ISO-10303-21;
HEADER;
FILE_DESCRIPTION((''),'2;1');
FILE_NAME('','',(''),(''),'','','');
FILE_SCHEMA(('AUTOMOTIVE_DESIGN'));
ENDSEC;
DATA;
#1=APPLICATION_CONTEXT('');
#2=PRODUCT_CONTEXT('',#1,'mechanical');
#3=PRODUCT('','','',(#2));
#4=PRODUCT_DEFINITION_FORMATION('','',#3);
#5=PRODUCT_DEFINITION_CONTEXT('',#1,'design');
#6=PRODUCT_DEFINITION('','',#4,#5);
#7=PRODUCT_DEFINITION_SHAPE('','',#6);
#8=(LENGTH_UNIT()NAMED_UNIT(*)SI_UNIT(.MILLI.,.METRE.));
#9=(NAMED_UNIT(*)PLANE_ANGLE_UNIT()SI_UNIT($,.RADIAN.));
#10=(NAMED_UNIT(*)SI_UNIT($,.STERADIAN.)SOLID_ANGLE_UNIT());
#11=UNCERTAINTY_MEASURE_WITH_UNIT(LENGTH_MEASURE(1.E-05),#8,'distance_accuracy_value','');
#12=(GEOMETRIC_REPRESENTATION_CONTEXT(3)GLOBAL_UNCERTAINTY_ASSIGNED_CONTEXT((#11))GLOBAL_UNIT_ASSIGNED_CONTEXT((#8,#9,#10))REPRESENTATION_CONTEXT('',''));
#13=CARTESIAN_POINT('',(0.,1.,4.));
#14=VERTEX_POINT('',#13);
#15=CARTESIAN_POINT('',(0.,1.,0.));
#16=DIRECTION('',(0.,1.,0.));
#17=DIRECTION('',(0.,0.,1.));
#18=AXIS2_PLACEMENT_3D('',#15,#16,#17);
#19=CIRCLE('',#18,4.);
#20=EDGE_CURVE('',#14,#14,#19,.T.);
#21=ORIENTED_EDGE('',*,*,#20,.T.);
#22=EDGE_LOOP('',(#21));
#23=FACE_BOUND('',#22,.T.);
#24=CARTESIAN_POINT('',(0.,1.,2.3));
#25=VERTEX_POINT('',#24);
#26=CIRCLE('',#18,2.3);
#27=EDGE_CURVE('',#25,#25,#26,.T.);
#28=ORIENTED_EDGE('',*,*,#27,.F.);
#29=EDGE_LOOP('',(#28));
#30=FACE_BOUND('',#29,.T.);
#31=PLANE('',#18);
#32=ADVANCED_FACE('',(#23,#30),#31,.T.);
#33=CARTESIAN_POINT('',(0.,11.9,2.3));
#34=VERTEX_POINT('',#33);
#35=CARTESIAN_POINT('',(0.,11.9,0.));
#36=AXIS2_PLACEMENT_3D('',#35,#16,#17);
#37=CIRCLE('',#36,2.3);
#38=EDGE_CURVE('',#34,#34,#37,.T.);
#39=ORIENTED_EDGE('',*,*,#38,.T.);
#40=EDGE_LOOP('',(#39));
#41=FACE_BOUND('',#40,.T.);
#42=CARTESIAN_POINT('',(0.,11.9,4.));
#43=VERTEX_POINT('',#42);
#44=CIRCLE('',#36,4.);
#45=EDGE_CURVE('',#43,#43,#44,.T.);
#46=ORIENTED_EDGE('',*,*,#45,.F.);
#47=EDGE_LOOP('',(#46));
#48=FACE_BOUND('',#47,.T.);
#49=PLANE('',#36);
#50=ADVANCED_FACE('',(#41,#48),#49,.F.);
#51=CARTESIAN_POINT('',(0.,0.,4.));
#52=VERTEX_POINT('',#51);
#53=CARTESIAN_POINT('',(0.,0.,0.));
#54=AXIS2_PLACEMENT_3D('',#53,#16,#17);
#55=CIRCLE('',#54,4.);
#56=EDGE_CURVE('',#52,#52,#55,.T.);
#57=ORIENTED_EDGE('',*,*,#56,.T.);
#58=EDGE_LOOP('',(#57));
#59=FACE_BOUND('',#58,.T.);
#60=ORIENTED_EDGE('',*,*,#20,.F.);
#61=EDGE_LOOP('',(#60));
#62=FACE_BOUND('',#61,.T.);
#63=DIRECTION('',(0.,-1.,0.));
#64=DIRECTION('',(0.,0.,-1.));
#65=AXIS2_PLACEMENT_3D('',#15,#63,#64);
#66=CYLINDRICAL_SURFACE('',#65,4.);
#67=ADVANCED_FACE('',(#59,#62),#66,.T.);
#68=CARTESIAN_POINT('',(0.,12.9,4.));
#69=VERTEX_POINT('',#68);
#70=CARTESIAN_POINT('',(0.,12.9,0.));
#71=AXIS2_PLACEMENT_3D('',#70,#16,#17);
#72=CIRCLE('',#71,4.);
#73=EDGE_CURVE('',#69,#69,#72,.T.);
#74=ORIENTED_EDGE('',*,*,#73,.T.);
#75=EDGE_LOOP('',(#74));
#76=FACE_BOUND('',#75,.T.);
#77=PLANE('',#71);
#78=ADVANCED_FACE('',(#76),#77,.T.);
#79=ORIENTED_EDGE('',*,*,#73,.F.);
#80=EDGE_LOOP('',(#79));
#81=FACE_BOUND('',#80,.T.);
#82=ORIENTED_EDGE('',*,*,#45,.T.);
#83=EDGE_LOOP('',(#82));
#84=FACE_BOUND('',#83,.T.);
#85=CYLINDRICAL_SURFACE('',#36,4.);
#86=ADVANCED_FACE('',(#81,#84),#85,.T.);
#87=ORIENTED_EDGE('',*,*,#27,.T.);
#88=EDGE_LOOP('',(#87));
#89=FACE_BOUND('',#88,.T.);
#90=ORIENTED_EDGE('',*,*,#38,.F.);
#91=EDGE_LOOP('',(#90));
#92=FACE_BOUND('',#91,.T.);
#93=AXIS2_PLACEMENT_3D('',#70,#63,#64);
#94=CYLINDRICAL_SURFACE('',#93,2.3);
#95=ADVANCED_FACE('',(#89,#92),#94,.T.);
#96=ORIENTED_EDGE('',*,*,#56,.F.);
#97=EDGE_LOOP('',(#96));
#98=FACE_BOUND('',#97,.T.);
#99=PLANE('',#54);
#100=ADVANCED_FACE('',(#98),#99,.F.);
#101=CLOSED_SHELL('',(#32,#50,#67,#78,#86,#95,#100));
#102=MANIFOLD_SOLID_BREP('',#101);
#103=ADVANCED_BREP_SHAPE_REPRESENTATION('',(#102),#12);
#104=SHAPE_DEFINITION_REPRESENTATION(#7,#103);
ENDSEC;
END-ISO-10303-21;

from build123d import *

# Parameters (mm, degrees)
SKETCH1_R           = 2.3
BOSS_EXTRUDE1_DEPTH = 12.9
BOSS_EXTRUDE2_START = 6.45
SKETCH2_R           = 4
SKETCH2_R_2         = 2.3
BOSS_EXTRUDE2_DEPTH = 1
BOSS_EXTRUDE3_START = -6.45
SKETCH2_3_R         = 4
SKETCH2_3_R_2       = 2.3
BOSS_EXTRUDE3_DEPTH = 1


with BuildPart() as part:
    # Sketch1 → Boss-Extrude1 (new body)
    with BuildSketch(Plane(origin=(0, 0, 0), x_dir=(1, 0, 0), z_dir=(0, 1, 0))):
        Circle(SKETCH1_R)
    extrude(amount=BOSS_EXTRUDE1_DEPTH)

    # Sketch2 → Boss-Extrude2 (add)
    with BuildSketch(Plane(origin=(0, 6.45, 0), x_dir=(1, 0, 0), z_dir=(0, 1, 0)).offset(BOSS_EXTRUDE2_START)):
        Circle(SKETCH2_R)
        Circle(SKETCH2_R_2, mode=Mode.SUBTRACT)
    extrude(amount=-BOSS_EXTRUDE2_DEPTH)

    # Sketch2<3> → Boss-Extrude3 (add)
    with BuildSketch(Plane(origin=(0, 6.45, 0), x_dir=(1, 0, 0), z_dir=(0, 1, 0)).offset(BOSS_EXTRUDE3_START)):
        Circle(SKETCH2_3_R)
        Circle(SKETCH2_3_R_2, mode=Mode.SUBTRACT)
    extrude(amount=BOSS_EXTRUDE3_DEPTH)


solid = part.part
